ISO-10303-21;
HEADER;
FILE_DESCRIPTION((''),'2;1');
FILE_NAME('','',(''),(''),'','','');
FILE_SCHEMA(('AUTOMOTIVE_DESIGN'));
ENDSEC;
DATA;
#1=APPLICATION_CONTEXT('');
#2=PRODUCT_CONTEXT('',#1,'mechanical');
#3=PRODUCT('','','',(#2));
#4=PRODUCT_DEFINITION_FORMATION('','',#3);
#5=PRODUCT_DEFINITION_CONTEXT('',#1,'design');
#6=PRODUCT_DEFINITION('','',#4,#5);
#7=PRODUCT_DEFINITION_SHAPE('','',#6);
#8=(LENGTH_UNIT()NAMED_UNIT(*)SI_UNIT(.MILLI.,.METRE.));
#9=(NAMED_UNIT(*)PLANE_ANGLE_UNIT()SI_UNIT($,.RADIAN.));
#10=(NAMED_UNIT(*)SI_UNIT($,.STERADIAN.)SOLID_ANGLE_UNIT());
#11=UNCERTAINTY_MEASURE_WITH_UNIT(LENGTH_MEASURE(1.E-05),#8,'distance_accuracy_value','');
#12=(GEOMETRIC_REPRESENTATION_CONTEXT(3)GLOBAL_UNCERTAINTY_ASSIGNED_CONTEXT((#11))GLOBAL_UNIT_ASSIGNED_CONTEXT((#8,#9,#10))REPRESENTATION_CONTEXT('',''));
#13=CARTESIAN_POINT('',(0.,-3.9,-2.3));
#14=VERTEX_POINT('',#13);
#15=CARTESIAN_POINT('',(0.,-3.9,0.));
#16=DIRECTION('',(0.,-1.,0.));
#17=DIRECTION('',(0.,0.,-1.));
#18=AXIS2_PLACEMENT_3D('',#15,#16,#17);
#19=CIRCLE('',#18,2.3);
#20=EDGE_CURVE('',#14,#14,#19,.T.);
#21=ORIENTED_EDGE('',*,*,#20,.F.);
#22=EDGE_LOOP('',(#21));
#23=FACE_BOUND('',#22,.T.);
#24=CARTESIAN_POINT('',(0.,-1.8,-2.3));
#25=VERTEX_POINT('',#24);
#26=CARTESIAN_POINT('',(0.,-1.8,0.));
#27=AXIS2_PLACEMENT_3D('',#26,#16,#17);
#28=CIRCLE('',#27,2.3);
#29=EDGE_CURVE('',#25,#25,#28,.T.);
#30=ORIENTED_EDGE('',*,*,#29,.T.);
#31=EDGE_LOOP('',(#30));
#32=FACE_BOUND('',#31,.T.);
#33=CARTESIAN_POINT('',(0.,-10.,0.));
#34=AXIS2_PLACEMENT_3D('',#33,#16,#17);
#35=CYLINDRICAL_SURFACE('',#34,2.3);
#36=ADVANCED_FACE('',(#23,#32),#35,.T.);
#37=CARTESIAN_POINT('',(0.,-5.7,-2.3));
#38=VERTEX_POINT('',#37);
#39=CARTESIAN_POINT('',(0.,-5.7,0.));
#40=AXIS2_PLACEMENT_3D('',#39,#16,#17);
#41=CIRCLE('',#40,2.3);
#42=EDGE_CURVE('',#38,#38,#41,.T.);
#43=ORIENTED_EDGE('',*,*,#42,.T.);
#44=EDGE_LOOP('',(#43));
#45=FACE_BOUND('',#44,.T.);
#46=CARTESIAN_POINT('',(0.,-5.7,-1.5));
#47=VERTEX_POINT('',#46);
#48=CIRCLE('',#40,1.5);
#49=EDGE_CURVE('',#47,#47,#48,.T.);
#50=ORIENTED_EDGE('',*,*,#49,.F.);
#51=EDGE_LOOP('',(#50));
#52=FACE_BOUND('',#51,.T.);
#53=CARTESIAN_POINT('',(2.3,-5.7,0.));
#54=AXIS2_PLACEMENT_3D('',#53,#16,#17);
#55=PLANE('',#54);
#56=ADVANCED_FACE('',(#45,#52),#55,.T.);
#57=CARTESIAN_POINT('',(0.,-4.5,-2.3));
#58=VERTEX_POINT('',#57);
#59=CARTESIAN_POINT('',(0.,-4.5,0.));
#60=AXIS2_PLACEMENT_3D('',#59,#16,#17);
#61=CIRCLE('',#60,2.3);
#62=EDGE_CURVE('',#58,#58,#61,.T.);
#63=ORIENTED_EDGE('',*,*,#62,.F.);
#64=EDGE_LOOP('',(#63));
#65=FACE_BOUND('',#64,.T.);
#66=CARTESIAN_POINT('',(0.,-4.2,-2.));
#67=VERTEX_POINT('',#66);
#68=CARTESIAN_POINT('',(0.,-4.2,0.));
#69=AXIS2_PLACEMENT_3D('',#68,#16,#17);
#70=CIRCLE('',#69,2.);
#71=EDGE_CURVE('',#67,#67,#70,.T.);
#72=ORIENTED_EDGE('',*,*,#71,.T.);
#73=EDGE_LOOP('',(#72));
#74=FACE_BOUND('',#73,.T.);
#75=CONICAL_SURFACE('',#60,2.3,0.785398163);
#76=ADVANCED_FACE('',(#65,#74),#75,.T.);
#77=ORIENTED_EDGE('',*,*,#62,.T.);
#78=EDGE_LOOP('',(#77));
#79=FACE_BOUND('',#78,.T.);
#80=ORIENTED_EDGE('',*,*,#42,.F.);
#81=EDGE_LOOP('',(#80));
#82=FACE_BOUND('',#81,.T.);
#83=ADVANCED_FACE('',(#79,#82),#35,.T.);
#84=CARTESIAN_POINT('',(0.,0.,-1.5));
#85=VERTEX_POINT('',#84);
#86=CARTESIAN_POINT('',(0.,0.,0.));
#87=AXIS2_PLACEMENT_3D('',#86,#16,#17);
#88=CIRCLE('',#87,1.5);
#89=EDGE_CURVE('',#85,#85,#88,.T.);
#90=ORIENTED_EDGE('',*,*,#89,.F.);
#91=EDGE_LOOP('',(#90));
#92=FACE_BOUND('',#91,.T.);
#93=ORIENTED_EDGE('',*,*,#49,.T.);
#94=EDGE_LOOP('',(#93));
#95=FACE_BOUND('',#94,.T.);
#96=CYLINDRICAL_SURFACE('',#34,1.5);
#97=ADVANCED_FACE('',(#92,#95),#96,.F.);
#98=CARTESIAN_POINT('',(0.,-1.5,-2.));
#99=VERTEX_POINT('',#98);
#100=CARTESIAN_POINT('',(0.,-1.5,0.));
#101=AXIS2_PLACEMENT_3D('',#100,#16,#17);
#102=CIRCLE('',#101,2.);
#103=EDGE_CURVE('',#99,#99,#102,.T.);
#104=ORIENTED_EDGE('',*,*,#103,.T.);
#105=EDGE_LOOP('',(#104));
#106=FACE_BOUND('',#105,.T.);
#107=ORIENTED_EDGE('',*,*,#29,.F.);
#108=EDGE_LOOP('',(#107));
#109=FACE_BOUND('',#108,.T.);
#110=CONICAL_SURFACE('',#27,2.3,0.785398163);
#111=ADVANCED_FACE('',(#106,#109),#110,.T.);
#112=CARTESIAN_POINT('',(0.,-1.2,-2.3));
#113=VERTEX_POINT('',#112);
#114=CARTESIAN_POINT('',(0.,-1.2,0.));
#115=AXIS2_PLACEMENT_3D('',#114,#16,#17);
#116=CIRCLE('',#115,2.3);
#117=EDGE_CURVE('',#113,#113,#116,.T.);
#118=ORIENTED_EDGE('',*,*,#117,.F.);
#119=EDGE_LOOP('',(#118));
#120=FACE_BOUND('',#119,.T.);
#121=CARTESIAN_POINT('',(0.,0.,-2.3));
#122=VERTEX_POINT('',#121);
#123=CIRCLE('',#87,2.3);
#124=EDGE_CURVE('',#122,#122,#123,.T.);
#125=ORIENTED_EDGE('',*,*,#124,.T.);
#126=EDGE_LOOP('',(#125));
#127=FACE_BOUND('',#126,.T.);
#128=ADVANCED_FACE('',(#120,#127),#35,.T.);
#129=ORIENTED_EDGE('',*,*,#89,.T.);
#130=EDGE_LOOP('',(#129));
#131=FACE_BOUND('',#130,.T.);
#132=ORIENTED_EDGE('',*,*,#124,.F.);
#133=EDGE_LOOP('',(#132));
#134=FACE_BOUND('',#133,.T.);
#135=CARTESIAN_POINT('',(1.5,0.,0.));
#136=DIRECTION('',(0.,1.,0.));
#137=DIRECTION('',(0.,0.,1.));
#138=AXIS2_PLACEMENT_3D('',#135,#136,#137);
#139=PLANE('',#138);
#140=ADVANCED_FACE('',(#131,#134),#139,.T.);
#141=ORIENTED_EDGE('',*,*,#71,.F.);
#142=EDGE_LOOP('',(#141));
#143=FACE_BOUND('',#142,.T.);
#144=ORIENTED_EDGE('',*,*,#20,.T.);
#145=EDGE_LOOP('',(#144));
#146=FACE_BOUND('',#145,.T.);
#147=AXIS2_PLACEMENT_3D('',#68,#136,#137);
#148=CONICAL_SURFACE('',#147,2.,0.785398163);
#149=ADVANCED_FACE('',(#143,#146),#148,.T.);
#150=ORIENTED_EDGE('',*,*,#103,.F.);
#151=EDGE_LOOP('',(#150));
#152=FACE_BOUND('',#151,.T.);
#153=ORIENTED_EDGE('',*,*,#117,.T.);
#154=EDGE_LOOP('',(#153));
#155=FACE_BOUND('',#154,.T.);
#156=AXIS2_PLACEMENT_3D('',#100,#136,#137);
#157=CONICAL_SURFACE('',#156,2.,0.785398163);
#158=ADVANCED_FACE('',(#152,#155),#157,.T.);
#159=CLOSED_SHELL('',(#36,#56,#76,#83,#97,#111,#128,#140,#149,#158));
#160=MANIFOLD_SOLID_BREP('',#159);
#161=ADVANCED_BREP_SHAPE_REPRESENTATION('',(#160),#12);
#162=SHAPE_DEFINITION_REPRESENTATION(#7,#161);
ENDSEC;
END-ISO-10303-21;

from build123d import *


with BuildPart() as part:
    # Sketch1 → Revolve1 (revolve)
    with BuildSketch(Plane.XY, mode=Mode.PRIVATE) as revolve1_sk:
        Polygon((1.5, 0), (2.3, 0), (2.3, -1.2), (2, -1.5), (2.3, -1.8), (2.3, -3.9), (2, -4.2), (2.3, -4.5), (2.3, -5.7), (1.5, -5.7), align=None)
    revolve(revolve1_sk.sketch.rotate(Axis((0, -10, 0), (0, 1, 0)), 90), axis=Axis((0, -10, 0), (0, 1, 0)))


solid = part.part
